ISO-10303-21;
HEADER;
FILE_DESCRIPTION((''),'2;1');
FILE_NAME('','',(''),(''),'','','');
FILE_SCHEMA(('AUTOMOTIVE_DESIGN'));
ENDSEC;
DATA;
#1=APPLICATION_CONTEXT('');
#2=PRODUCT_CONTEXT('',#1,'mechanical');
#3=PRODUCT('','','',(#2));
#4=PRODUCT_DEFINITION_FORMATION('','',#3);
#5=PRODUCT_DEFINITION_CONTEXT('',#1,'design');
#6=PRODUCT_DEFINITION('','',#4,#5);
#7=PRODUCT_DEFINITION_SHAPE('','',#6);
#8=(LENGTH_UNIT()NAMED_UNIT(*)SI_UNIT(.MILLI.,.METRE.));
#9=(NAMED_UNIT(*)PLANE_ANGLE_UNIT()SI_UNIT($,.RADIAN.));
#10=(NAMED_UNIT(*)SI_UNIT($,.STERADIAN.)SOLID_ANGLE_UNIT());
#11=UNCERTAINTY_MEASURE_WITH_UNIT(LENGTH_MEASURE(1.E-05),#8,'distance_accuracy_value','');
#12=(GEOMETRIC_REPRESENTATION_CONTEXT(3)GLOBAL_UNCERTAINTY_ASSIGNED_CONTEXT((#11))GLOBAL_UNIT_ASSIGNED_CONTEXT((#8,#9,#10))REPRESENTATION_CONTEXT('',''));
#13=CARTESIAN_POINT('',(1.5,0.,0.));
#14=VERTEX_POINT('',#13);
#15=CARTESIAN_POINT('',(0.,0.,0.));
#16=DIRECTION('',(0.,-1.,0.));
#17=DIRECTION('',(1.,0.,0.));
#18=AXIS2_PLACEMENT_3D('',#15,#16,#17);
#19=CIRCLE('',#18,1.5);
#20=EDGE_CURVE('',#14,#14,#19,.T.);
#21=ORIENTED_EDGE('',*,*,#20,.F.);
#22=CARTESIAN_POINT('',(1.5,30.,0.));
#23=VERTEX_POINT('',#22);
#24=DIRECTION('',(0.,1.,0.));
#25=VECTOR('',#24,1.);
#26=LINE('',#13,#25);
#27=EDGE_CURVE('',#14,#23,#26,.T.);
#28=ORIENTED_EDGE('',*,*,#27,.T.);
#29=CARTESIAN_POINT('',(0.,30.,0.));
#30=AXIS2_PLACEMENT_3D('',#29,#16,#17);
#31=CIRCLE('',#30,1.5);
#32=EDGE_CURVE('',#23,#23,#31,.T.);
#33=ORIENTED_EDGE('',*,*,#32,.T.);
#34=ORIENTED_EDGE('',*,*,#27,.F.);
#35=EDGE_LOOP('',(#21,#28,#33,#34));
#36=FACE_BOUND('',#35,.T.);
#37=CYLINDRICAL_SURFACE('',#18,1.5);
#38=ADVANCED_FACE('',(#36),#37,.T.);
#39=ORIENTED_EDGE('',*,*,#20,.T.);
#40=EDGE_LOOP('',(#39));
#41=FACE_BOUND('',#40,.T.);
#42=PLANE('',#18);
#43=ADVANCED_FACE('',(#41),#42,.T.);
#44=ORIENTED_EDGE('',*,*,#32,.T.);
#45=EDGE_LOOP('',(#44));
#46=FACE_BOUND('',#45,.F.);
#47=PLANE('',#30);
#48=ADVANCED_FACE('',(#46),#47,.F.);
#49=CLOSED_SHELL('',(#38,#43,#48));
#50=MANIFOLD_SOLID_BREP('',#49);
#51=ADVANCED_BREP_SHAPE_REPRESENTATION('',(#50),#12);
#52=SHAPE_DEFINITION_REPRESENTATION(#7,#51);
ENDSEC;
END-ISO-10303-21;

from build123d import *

# Parameters (mm, degrees)
SKETCH_R  = 1.5
PAD_DEPTH = 30


with BuildPart() as part:
    # Sketch → Pad (new body)
    with BuildSketch(Plane.XZ):
        Circle(SKETCH_R)
    extrude(amount=-PAD_DEPTH)


solid = part.part
